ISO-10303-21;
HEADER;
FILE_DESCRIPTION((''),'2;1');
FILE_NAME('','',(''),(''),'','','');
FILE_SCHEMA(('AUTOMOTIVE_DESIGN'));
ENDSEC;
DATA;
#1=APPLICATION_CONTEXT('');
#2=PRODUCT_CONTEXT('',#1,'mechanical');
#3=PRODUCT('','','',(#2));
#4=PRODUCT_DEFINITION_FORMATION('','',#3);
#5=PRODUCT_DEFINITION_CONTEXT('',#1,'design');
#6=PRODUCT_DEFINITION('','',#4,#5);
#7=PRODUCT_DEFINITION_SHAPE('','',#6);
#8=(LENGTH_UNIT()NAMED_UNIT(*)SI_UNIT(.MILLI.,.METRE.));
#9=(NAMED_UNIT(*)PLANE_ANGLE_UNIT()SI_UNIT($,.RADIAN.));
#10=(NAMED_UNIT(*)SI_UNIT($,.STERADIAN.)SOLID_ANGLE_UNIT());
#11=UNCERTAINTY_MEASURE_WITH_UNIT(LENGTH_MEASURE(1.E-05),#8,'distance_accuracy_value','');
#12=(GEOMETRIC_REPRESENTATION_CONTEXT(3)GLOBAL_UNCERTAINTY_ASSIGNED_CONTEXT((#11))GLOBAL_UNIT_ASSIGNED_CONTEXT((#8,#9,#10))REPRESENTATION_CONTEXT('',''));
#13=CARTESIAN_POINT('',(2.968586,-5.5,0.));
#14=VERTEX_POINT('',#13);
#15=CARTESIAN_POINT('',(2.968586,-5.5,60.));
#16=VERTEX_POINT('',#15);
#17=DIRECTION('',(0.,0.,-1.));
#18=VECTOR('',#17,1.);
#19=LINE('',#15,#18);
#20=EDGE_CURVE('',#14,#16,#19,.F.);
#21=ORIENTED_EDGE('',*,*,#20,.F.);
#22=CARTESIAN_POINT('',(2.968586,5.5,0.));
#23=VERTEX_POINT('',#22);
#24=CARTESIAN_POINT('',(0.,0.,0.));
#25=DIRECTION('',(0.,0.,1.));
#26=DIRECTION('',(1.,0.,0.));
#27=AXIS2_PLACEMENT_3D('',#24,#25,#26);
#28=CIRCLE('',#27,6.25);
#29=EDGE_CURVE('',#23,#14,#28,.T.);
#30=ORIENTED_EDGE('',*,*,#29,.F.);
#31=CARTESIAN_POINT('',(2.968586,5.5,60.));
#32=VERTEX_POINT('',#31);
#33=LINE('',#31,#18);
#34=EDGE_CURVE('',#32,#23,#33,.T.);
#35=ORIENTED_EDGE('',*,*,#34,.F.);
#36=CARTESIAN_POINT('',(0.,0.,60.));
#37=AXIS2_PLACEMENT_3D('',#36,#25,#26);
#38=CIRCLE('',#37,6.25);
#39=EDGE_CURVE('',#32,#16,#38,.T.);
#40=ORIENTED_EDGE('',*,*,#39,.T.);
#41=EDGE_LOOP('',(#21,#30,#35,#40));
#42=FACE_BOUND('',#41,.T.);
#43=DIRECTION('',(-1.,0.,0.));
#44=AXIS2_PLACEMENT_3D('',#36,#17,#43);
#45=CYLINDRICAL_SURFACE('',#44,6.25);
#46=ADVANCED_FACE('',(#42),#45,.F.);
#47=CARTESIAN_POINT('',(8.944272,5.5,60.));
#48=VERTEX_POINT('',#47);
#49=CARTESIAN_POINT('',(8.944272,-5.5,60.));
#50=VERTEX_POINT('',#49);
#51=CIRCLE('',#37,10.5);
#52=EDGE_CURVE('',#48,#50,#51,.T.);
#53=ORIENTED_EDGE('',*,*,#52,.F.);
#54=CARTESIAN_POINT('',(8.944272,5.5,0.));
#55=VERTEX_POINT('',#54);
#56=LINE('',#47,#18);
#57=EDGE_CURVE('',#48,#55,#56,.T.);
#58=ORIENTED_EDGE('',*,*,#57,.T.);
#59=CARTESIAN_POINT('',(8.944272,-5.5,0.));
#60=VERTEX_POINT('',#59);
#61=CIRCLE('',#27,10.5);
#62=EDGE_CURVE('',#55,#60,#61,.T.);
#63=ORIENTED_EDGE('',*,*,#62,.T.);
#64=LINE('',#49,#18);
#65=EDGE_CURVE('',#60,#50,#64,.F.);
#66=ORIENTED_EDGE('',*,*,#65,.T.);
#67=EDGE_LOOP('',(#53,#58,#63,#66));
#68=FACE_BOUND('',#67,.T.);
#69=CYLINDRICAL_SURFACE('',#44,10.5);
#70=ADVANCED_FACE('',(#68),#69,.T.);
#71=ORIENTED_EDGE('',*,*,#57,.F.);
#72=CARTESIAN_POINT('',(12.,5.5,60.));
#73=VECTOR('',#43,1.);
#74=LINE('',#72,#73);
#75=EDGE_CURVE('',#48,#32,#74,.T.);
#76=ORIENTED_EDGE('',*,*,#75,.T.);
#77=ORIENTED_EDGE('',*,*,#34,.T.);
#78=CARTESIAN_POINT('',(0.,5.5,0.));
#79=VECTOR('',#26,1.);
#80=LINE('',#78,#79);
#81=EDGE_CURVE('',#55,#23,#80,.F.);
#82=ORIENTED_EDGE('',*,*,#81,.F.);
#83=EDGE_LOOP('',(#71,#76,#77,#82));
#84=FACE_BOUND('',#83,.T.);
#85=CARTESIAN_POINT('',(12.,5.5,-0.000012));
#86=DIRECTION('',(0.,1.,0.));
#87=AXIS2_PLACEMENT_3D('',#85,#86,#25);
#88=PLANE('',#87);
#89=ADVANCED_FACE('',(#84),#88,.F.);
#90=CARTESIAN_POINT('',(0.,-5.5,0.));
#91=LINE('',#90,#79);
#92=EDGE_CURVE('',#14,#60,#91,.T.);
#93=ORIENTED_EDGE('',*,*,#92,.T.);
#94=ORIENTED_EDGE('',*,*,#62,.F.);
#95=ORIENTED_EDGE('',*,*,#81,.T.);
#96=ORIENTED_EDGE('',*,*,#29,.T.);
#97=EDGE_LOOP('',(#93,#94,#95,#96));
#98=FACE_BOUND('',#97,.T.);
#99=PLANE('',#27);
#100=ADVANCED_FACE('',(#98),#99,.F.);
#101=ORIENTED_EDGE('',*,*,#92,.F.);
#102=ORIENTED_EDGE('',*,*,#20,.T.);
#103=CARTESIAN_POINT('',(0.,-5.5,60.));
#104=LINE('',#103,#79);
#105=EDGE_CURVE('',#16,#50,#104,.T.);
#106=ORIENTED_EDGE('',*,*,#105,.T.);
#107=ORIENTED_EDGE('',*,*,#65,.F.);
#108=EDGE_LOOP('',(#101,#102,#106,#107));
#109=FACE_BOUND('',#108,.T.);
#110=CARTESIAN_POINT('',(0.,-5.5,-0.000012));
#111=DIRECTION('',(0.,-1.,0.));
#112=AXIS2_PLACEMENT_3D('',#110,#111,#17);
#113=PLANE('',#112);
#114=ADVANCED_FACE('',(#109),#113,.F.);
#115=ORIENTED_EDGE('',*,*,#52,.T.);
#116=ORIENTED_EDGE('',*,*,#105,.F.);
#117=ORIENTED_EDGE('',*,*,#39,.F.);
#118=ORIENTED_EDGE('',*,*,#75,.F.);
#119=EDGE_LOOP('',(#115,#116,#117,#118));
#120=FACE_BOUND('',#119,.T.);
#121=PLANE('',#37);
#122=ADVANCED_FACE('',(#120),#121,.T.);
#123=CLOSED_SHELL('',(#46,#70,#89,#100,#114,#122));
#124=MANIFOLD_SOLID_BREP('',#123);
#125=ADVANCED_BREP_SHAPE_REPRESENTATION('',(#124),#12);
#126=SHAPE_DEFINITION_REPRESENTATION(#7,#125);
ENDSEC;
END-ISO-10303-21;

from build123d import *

# Parameters (mm, degrees)
SKETCH1_R               = 10.5
SKETCH1_R_2             = 6.25
SLEEVE_DEPTH            = 60
CLIP_OPENING_DEPTH      = 62.810193334
CLIP_OPENING_DEPTH_BACK = 62.810193334
SKETCH2_W               = 12
SKETCH2_H               = 11


with BuildPart() as part:
    # Sketch1 → Sleeve (new body)
    with BuildSketch(Plane.XY):
        Circle(SKETCH1_R)
        Circle(SKETCH1_R_2, mode=Mode.SUBTRACT)
    extrude(amount=SLEEVE_DEPTH)

    # Sketch2 → Clip_opening (cut, two sides: drawn at the far end of the back side and taken through both)
    with BuildSketch(Plane.XY.offset(-CLIP_OPENING_DEPTH_BACK)):
        with Locations((6, 0)):
            Rectangle(SKETCH2_W, SKETCH2_H)
    extrude(amount=CLIP_OPENING_DEPTH + CLIP_OPENING_DEPTH_BACK, mode=Mode.SUBTRACT)


solid = part.part
